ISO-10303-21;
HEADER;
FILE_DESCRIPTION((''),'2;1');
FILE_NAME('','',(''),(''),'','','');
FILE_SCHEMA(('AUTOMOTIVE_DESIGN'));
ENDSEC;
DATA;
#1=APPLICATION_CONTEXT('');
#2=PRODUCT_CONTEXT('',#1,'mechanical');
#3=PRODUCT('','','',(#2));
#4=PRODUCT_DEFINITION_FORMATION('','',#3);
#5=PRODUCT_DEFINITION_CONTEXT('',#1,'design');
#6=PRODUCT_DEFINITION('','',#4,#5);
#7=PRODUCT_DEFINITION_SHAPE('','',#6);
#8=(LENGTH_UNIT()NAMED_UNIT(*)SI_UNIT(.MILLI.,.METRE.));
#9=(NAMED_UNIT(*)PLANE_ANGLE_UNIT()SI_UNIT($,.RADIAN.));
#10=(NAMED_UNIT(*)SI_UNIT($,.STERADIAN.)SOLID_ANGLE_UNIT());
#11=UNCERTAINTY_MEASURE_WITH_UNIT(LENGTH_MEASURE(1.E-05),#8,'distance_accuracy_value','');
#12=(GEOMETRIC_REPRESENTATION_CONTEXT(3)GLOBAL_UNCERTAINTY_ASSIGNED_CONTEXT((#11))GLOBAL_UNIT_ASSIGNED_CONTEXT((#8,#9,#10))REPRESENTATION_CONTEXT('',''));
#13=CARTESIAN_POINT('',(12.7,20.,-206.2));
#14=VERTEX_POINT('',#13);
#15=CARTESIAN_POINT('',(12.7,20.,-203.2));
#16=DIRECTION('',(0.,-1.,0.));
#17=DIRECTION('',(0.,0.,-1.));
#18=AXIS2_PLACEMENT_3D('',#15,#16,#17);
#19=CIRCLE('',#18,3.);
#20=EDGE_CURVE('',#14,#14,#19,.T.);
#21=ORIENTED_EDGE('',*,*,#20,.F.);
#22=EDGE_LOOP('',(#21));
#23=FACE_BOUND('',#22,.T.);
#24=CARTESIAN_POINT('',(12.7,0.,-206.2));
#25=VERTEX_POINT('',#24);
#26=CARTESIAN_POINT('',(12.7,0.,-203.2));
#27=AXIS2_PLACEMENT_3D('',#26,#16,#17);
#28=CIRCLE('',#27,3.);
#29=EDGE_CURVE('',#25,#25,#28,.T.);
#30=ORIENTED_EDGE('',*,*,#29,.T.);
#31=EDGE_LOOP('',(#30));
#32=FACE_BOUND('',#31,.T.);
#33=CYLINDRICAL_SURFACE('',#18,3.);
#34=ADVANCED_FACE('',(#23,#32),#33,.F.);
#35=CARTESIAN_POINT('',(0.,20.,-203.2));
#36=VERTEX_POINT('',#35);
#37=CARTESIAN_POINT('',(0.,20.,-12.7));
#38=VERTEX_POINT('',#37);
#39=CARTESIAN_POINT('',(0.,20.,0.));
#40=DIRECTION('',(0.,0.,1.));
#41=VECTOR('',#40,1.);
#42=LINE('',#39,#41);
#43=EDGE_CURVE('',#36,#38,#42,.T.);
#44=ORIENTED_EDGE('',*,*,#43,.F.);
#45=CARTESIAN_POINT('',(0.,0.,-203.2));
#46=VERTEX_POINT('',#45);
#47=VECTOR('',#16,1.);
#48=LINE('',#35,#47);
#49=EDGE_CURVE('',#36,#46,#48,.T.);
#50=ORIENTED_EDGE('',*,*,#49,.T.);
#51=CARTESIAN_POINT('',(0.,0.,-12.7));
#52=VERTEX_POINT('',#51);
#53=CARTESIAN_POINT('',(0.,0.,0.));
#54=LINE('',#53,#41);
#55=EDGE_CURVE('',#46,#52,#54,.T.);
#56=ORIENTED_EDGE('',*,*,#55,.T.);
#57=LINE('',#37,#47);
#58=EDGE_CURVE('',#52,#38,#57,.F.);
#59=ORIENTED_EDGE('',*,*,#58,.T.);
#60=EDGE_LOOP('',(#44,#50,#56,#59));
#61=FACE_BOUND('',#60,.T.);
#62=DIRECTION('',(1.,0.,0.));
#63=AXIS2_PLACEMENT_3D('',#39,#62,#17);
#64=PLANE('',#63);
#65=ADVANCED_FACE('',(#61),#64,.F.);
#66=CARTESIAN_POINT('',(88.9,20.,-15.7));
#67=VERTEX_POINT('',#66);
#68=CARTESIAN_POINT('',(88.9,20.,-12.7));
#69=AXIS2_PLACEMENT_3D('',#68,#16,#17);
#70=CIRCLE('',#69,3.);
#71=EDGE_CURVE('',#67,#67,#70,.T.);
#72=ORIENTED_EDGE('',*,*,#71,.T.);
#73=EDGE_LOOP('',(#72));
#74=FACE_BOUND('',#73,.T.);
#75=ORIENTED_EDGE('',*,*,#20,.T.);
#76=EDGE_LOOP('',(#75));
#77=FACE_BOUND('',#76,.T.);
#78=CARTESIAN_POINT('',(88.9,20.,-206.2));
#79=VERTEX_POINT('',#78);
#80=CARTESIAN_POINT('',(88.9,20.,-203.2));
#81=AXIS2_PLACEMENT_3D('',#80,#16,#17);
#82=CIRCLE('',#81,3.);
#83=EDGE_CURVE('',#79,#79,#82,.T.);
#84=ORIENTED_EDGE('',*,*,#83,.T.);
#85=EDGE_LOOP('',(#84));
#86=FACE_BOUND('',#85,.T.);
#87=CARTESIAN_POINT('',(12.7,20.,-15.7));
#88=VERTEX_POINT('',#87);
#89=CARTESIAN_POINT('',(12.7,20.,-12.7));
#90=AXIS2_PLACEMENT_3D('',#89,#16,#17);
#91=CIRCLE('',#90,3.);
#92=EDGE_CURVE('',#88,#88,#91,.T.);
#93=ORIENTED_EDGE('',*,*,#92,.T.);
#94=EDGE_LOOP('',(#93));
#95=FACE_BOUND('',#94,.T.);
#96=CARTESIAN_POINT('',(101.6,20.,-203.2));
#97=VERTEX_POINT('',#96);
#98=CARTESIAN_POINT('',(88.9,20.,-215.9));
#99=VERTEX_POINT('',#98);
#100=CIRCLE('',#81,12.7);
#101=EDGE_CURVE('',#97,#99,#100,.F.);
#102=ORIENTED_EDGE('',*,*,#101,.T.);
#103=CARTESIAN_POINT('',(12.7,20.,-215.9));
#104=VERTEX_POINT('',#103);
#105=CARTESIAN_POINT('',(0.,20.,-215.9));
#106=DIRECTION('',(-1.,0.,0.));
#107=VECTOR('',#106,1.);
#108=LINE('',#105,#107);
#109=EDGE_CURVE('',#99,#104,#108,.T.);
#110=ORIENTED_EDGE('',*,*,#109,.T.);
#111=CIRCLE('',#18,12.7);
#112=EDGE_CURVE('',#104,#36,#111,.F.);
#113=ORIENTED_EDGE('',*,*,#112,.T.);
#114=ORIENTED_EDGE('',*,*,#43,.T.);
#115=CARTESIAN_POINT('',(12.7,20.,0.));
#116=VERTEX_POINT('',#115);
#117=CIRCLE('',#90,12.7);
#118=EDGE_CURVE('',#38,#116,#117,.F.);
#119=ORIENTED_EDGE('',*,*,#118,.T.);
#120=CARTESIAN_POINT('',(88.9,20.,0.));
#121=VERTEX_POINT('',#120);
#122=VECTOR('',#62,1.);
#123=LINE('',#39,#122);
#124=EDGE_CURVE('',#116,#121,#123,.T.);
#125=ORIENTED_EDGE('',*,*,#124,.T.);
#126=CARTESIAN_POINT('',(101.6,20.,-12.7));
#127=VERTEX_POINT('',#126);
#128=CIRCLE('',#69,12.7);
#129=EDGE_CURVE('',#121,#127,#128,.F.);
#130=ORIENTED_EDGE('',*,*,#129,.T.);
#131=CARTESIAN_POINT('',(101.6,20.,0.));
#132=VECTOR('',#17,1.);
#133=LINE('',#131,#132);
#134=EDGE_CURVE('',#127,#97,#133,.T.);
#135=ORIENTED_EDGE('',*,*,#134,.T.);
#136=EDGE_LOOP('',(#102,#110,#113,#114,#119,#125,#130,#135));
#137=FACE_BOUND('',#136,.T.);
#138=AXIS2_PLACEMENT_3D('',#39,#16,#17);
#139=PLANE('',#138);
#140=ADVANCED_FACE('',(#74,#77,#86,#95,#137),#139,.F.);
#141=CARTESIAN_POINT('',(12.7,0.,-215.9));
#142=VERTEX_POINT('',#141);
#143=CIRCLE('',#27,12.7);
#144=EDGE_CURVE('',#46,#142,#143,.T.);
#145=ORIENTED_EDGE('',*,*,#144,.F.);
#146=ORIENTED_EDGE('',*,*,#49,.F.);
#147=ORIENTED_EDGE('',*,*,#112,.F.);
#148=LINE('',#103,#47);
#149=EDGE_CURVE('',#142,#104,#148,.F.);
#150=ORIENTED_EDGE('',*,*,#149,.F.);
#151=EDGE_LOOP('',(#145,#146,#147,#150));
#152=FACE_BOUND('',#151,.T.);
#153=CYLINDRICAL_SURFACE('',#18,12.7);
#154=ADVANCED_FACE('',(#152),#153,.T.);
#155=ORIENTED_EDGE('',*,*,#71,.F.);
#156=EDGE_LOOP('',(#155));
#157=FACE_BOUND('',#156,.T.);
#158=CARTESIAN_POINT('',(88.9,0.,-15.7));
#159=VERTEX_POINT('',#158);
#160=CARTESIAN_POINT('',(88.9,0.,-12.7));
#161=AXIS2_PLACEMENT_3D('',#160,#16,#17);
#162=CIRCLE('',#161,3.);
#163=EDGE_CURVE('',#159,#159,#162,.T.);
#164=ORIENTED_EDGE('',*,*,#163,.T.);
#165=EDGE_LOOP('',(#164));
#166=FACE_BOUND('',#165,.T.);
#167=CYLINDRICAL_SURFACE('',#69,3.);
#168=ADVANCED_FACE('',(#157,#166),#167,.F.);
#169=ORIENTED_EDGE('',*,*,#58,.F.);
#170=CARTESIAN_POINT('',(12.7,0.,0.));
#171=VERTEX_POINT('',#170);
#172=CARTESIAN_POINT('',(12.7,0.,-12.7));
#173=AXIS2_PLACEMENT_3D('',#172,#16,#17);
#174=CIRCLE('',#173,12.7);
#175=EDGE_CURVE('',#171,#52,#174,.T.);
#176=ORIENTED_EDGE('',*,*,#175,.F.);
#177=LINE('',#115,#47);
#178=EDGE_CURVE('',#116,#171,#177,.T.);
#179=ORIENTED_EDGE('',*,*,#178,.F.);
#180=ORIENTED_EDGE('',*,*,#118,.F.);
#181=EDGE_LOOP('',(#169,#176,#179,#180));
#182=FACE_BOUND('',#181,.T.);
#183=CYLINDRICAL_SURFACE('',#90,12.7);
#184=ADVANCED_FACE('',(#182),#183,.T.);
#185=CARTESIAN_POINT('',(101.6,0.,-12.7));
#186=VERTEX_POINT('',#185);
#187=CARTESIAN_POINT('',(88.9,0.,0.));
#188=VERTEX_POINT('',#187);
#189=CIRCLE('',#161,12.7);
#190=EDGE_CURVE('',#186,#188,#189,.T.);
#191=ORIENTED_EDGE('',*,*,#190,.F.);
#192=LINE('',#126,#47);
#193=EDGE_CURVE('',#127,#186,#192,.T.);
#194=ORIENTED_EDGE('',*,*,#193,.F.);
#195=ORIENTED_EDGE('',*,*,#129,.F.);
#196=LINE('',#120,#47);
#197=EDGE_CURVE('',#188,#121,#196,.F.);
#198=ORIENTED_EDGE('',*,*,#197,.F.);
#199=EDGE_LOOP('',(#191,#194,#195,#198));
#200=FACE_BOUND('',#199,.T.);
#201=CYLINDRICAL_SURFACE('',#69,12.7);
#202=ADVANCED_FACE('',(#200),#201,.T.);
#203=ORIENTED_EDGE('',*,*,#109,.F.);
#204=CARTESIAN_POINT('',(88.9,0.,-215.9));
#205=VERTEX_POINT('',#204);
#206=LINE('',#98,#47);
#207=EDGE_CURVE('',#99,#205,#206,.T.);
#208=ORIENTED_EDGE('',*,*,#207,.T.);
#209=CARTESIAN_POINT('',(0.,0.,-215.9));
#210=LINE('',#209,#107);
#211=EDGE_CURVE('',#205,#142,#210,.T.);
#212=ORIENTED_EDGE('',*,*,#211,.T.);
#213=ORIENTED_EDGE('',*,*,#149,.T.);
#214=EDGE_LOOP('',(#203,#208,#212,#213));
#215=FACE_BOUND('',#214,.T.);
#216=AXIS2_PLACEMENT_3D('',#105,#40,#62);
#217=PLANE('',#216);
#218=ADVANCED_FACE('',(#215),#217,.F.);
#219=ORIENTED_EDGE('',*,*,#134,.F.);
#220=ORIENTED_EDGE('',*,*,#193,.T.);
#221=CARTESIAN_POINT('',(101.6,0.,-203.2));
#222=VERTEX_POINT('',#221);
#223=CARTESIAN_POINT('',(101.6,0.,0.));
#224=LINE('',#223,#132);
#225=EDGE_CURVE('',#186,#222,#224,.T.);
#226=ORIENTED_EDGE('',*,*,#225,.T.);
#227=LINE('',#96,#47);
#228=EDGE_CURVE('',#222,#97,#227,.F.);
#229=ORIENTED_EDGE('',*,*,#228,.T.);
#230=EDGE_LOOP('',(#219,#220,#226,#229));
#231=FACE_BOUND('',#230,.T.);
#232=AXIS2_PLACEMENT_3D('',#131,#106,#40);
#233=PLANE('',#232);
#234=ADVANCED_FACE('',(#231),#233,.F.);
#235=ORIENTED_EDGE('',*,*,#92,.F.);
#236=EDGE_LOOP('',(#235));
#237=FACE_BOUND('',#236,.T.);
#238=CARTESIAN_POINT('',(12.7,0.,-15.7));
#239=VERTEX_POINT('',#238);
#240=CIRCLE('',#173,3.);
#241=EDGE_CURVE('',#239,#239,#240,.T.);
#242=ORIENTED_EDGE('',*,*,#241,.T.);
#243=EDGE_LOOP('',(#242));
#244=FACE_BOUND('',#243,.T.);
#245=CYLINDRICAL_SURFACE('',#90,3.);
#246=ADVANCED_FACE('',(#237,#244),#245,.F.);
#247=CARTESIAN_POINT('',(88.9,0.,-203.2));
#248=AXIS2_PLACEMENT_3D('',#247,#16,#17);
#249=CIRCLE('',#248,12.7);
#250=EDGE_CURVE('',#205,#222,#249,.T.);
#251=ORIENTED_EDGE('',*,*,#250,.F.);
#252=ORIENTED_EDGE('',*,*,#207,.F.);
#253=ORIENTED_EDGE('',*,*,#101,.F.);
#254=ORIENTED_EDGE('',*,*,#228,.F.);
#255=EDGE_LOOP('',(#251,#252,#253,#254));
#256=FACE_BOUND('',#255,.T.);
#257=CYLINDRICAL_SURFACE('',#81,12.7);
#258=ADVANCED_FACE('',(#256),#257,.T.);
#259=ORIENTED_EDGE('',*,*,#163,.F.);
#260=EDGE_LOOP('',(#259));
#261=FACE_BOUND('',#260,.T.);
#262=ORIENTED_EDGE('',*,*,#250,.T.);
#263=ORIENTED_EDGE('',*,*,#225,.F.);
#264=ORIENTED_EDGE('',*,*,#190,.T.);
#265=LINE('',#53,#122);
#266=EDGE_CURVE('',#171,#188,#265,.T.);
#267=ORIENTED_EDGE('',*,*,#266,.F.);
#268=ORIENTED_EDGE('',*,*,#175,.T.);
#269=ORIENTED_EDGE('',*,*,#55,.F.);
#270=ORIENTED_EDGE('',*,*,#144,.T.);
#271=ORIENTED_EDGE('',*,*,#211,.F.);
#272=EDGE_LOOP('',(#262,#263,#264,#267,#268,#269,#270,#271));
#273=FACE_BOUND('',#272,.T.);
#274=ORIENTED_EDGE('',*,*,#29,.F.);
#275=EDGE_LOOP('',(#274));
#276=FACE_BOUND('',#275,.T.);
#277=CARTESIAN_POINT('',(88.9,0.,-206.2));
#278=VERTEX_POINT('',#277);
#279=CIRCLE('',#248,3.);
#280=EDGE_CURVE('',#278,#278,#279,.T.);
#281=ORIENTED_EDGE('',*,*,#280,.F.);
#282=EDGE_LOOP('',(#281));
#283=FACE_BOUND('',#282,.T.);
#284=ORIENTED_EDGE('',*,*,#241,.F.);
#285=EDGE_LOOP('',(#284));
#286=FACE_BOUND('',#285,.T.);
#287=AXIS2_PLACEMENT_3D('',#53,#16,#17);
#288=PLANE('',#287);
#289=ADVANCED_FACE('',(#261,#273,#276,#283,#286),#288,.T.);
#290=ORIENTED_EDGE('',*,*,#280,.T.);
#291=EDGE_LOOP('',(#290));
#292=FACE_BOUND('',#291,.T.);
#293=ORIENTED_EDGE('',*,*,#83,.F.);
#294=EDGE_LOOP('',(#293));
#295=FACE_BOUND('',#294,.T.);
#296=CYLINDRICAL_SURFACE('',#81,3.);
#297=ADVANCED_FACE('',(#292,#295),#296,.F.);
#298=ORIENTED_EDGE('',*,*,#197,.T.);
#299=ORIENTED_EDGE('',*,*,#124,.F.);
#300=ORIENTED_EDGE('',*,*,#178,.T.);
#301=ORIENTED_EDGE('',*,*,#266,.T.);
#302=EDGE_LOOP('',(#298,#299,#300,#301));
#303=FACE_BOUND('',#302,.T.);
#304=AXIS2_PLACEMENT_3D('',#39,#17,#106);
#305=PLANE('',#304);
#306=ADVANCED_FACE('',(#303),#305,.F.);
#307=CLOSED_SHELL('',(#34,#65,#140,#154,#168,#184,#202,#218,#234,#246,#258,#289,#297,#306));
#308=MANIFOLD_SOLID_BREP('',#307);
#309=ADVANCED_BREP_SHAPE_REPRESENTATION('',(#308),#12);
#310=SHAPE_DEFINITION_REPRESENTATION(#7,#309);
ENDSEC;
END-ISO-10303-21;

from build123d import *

# Parameters (mm, degrees)
SKETCH1_W           = 101.6
SKETCH1_H           = 215.9
BOSS_EXTRUDE2_DEPTH = 20
FILLET1_R           = 12.7
SKETCH5_R           = 3
CUT_EXTRUDE1_DEPTH  = 21


with BuildPart() as part:
    # Sketch1 → Boss-Extrude2 (new body)
    with BuildSketch(Plane(origin=(0, 0, 0), x_dir=(1, 0, 0), z_dir=(0, 1, 0))):
        with Locations((50.8, 107.95)):
            Rectangle(SKETCH1_W, SKETCH1_H)
    extrude(amount=BOSS_EXTRUDE2_DEPTH)

    # Fillet1
    fillet1_edges = [part.edges().sort_by_distance(p)[0] for p in [
        (0, 10, -215.9),
        (101.6, 10, -215.9),
        (101.6, 10, 0),
        (0, 10, 0),
    ]]
    fillet(fillet1_edges, radius=FILLET1_R)

    # Sketch5 → Cut-Extrude1 (cut, through all)
    with BuildSketch(Plane(origin=(0, 0, 0), x_dir=(-1, 0, 0), z_dir=(0, -1, 0))):
        with Locations((-88.9, 203.2)):
            Circle(SKETCH5_R)
        with Locations((-12.7, 203.2)):
            Circle(SKETCH5_R)
        with Locations((-88.9, 12.7)):
            Circle(SKETCH5_R)
        with Locations((-12.7, 12.7)):
            Circle(SKETCH5_R)
    extrude(amount=-CUT_EXTRUDE1_DEPTH, mode=Mode.SUBTRACT)


solid = part.part
